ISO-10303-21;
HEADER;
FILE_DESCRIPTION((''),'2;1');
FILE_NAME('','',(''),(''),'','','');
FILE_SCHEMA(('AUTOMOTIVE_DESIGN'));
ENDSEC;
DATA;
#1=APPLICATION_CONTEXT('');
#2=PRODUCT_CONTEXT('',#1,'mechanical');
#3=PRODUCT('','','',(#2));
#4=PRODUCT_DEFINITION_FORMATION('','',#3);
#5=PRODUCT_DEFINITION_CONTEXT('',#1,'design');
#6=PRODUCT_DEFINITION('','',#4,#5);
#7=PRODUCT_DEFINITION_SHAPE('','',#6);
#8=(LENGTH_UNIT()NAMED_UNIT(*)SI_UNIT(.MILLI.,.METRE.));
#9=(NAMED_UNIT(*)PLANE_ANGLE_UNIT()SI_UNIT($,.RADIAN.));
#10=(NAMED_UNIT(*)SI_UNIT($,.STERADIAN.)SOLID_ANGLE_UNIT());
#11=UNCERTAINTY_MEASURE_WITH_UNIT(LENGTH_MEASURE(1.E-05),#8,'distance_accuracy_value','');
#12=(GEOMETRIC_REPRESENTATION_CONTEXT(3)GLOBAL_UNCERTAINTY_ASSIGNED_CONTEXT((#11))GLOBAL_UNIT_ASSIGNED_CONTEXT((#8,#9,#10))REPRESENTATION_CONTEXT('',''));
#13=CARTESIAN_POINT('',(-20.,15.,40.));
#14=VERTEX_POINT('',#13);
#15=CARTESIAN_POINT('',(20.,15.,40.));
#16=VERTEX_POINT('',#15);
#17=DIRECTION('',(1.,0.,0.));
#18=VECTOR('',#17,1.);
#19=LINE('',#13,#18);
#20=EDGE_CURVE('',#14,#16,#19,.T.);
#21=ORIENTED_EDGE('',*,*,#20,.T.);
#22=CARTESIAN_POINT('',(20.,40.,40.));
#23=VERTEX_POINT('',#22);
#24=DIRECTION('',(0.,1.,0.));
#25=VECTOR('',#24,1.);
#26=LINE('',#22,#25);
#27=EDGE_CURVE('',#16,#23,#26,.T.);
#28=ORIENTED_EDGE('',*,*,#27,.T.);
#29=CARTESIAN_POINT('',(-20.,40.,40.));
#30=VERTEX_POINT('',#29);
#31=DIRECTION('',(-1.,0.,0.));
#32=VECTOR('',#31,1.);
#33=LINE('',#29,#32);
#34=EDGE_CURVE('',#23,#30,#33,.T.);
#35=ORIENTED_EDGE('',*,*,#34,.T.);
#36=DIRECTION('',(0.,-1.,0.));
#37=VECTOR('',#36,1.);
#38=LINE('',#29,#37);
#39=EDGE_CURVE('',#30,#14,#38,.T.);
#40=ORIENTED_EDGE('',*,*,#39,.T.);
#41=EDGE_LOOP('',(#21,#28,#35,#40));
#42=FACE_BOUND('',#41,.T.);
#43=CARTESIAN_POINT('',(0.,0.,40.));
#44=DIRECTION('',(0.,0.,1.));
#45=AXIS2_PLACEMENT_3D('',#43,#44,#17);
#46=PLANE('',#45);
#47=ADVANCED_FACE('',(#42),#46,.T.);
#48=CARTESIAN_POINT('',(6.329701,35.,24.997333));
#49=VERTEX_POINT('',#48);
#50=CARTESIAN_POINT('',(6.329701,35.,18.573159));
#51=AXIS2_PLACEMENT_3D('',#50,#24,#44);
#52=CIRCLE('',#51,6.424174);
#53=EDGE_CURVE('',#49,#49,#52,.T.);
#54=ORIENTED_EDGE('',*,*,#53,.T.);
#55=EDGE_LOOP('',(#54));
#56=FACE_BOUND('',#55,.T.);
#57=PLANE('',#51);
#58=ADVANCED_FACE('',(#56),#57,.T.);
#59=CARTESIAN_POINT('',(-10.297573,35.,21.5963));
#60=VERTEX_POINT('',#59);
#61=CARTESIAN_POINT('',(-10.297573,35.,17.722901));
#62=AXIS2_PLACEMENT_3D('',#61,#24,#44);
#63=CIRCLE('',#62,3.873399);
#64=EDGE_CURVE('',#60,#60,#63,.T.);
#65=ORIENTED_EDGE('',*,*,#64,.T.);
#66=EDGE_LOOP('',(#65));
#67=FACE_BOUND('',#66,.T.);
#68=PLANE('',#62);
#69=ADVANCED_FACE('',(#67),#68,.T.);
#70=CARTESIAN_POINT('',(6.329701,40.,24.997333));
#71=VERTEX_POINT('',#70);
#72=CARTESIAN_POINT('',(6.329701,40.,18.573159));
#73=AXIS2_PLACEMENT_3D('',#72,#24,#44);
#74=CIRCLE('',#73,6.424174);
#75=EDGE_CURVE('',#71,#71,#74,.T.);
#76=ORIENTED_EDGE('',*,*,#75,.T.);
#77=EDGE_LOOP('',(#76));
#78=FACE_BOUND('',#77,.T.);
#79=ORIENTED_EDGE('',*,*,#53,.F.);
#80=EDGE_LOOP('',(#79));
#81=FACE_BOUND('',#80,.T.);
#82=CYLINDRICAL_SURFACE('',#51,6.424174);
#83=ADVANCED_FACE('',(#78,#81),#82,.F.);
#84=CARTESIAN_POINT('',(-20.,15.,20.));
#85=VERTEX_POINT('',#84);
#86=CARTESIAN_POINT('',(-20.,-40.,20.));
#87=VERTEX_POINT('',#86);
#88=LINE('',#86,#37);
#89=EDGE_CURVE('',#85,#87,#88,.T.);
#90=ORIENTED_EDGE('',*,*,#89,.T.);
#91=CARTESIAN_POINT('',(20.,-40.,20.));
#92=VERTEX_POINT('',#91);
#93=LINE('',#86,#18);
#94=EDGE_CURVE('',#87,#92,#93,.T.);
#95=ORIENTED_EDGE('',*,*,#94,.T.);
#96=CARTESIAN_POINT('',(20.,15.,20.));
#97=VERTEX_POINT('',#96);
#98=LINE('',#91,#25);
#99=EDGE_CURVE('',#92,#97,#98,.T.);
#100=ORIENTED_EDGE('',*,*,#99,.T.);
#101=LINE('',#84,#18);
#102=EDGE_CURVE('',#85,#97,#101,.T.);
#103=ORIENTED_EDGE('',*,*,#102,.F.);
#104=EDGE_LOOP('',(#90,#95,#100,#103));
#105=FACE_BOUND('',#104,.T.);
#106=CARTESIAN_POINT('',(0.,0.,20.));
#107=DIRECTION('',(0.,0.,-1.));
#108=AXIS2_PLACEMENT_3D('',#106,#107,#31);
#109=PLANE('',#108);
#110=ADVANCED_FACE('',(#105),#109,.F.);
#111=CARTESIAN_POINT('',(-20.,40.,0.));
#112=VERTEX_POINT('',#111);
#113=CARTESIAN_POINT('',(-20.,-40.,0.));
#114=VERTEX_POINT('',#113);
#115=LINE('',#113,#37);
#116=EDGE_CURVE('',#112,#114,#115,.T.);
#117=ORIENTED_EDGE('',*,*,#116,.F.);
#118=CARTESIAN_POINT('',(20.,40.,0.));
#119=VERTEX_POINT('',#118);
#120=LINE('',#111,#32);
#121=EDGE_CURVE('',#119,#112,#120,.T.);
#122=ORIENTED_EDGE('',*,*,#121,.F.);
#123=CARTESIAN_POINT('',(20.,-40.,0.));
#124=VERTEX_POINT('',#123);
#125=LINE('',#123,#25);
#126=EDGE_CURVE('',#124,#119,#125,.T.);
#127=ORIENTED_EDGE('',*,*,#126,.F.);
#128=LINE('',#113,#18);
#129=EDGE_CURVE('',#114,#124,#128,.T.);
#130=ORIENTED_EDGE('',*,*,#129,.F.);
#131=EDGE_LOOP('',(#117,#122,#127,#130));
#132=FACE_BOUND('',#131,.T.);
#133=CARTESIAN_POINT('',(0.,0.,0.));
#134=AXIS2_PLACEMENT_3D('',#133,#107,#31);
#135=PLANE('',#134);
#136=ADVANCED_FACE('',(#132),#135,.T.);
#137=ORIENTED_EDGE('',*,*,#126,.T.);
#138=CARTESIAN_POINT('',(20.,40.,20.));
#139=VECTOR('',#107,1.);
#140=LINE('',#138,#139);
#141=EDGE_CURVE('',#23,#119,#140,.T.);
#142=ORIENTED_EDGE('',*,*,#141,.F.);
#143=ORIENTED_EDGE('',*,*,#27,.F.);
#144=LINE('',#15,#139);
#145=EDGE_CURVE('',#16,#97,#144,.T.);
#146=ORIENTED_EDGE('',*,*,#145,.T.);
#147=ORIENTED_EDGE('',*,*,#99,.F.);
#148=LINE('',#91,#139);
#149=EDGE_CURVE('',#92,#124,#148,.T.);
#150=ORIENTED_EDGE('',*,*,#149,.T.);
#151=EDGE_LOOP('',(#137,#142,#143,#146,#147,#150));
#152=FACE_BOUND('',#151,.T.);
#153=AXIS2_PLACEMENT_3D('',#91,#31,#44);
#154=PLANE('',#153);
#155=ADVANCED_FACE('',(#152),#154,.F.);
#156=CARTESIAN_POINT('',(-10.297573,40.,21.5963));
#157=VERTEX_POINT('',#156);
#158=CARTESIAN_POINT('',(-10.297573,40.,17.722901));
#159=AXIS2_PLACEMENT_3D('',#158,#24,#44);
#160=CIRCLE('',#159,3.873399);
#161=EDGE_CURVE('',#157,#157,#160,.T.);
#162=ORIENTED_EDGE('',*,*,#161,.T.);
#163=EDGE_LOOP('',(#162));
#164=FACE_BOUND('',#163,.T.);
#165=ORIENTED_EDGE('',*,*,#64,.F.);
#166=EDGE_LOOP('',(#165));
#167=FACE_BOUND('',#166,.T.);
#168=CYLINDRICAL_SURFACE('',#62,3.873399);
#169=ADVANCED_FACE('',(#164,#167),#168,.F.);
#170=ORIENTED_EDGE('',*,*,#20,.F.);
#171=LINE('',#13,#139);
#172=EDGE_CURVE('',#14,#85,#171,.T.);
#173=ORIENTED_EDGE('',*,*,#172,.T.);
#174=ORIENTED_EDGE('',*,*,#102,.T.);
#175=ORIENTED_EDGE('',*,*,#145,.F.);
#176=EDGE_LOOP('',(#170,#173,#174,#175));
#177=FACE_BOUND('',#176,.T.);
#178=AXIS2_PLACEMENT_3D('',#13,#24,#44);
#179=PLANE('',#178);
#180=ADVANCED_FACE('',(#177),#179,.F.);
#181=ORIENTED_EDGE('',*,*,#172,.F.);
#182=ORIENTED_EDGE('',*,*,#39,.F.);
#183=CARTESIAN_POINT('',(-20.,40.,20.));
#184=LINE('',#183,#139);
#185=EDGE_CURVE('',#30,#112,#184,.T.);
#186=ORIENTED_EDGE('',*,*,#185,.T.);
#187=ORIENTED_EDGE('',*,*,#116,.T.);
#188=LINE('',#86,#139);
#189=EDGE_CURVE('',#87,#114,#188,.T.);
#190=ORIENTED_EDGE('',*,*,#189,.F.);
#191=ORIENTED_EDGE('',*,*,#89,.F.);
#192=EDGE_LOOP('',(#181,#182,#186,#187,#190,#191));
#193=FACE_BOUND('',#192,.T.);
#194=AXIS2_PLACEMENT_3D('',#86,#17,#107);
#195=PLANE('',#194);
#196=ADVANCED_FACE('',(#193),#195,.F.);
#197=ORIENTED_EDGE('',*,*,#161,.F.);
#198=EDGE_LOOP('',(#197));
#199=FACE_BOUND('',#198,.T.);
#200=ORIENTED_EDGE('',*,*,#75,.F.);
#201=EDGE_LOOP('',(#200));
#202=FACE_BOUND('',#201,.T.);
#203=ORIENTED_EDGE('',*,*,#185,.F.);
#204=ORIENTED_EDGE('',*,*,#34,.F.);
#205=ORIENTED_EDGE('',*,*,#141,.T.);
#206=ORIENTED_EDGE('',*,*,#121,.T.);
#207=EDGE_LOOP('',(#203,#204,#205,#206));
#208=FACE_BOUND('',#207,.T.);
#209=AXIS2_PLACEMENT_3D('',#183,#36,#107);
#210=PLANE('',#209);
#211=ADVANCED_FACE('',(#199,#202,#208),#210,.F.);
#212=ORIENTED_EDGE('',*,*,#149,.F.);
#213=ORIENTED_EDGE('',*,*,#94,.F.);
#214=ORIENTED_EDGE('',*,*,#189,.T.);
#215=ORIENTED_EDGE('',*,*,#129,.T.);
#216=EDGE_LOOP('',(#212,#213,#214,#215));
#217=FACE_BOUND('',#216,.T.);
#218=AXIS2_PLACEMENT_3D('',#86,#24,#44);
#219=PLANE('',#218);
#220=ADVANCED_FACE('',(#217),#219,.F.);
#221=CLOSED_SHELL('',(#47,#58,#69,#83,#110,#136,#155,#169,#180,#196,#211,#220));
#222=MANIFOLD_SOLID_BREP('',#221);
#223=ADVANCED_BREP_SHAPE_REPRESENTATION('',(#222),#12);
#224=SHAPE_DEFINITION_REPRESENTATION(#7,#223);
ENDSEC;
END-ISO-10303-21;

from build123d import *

# Parameters (mm, degrees)
SKETCH_1_W          = 40
SKETCH_1_H          = 80
EXTRUDE_1_DEPTH     = 20
SKETCH_2_W          = 40
SKETCH_2_H          = 25
EXTRUDE_2_DEPTH     = 20
SKETCH_3_R          = 3.87339884
SKETCH_3_R_2        = 6.424173687
CUT_EXTRUDE_1_DEPTH = 5


with BuildPart() as part:
    # 草图1 → 凸台-拉伸1 (new body)
    with BuildSketch(Plane.XY):
        Rectangle(SKETCH_1_W, SKETCH_1_H)
    extrude(amount=EXTRUDE_1_DEPTH)

    # 草图2 → 凸台-拉伸2 (add)
    with BuildSketch(Plane.XY.offset(20)):
        with Locations((0, 27.5)):
            Rectangle(SKETCH_2_W, SKETCH_2_H)
    extrude(amount=EXTRUDE_2_DEPTH)

    # 草图3 → 切除-拉伸1 (cut)
    with BuildSketch(Plane(origin=(0, 40, 0), x_dir=(1, 0, 0), z_dir=(0, 1, 0))):
        with Locations(Location((-10.297572527, -17.722901183, 0), (0, 0, 270))):
            Circle(SKETCH_3_R)
        with Locations(Location((6.329700544, -18.573159465, 0), (0, 0, 270))):
            Circle(SKETCH_3_R_2)
    extrude(amount=-CUT_EXTRUDE_1_DEPTH, mode=Mode.SUBTRACT)


solid = part.part
